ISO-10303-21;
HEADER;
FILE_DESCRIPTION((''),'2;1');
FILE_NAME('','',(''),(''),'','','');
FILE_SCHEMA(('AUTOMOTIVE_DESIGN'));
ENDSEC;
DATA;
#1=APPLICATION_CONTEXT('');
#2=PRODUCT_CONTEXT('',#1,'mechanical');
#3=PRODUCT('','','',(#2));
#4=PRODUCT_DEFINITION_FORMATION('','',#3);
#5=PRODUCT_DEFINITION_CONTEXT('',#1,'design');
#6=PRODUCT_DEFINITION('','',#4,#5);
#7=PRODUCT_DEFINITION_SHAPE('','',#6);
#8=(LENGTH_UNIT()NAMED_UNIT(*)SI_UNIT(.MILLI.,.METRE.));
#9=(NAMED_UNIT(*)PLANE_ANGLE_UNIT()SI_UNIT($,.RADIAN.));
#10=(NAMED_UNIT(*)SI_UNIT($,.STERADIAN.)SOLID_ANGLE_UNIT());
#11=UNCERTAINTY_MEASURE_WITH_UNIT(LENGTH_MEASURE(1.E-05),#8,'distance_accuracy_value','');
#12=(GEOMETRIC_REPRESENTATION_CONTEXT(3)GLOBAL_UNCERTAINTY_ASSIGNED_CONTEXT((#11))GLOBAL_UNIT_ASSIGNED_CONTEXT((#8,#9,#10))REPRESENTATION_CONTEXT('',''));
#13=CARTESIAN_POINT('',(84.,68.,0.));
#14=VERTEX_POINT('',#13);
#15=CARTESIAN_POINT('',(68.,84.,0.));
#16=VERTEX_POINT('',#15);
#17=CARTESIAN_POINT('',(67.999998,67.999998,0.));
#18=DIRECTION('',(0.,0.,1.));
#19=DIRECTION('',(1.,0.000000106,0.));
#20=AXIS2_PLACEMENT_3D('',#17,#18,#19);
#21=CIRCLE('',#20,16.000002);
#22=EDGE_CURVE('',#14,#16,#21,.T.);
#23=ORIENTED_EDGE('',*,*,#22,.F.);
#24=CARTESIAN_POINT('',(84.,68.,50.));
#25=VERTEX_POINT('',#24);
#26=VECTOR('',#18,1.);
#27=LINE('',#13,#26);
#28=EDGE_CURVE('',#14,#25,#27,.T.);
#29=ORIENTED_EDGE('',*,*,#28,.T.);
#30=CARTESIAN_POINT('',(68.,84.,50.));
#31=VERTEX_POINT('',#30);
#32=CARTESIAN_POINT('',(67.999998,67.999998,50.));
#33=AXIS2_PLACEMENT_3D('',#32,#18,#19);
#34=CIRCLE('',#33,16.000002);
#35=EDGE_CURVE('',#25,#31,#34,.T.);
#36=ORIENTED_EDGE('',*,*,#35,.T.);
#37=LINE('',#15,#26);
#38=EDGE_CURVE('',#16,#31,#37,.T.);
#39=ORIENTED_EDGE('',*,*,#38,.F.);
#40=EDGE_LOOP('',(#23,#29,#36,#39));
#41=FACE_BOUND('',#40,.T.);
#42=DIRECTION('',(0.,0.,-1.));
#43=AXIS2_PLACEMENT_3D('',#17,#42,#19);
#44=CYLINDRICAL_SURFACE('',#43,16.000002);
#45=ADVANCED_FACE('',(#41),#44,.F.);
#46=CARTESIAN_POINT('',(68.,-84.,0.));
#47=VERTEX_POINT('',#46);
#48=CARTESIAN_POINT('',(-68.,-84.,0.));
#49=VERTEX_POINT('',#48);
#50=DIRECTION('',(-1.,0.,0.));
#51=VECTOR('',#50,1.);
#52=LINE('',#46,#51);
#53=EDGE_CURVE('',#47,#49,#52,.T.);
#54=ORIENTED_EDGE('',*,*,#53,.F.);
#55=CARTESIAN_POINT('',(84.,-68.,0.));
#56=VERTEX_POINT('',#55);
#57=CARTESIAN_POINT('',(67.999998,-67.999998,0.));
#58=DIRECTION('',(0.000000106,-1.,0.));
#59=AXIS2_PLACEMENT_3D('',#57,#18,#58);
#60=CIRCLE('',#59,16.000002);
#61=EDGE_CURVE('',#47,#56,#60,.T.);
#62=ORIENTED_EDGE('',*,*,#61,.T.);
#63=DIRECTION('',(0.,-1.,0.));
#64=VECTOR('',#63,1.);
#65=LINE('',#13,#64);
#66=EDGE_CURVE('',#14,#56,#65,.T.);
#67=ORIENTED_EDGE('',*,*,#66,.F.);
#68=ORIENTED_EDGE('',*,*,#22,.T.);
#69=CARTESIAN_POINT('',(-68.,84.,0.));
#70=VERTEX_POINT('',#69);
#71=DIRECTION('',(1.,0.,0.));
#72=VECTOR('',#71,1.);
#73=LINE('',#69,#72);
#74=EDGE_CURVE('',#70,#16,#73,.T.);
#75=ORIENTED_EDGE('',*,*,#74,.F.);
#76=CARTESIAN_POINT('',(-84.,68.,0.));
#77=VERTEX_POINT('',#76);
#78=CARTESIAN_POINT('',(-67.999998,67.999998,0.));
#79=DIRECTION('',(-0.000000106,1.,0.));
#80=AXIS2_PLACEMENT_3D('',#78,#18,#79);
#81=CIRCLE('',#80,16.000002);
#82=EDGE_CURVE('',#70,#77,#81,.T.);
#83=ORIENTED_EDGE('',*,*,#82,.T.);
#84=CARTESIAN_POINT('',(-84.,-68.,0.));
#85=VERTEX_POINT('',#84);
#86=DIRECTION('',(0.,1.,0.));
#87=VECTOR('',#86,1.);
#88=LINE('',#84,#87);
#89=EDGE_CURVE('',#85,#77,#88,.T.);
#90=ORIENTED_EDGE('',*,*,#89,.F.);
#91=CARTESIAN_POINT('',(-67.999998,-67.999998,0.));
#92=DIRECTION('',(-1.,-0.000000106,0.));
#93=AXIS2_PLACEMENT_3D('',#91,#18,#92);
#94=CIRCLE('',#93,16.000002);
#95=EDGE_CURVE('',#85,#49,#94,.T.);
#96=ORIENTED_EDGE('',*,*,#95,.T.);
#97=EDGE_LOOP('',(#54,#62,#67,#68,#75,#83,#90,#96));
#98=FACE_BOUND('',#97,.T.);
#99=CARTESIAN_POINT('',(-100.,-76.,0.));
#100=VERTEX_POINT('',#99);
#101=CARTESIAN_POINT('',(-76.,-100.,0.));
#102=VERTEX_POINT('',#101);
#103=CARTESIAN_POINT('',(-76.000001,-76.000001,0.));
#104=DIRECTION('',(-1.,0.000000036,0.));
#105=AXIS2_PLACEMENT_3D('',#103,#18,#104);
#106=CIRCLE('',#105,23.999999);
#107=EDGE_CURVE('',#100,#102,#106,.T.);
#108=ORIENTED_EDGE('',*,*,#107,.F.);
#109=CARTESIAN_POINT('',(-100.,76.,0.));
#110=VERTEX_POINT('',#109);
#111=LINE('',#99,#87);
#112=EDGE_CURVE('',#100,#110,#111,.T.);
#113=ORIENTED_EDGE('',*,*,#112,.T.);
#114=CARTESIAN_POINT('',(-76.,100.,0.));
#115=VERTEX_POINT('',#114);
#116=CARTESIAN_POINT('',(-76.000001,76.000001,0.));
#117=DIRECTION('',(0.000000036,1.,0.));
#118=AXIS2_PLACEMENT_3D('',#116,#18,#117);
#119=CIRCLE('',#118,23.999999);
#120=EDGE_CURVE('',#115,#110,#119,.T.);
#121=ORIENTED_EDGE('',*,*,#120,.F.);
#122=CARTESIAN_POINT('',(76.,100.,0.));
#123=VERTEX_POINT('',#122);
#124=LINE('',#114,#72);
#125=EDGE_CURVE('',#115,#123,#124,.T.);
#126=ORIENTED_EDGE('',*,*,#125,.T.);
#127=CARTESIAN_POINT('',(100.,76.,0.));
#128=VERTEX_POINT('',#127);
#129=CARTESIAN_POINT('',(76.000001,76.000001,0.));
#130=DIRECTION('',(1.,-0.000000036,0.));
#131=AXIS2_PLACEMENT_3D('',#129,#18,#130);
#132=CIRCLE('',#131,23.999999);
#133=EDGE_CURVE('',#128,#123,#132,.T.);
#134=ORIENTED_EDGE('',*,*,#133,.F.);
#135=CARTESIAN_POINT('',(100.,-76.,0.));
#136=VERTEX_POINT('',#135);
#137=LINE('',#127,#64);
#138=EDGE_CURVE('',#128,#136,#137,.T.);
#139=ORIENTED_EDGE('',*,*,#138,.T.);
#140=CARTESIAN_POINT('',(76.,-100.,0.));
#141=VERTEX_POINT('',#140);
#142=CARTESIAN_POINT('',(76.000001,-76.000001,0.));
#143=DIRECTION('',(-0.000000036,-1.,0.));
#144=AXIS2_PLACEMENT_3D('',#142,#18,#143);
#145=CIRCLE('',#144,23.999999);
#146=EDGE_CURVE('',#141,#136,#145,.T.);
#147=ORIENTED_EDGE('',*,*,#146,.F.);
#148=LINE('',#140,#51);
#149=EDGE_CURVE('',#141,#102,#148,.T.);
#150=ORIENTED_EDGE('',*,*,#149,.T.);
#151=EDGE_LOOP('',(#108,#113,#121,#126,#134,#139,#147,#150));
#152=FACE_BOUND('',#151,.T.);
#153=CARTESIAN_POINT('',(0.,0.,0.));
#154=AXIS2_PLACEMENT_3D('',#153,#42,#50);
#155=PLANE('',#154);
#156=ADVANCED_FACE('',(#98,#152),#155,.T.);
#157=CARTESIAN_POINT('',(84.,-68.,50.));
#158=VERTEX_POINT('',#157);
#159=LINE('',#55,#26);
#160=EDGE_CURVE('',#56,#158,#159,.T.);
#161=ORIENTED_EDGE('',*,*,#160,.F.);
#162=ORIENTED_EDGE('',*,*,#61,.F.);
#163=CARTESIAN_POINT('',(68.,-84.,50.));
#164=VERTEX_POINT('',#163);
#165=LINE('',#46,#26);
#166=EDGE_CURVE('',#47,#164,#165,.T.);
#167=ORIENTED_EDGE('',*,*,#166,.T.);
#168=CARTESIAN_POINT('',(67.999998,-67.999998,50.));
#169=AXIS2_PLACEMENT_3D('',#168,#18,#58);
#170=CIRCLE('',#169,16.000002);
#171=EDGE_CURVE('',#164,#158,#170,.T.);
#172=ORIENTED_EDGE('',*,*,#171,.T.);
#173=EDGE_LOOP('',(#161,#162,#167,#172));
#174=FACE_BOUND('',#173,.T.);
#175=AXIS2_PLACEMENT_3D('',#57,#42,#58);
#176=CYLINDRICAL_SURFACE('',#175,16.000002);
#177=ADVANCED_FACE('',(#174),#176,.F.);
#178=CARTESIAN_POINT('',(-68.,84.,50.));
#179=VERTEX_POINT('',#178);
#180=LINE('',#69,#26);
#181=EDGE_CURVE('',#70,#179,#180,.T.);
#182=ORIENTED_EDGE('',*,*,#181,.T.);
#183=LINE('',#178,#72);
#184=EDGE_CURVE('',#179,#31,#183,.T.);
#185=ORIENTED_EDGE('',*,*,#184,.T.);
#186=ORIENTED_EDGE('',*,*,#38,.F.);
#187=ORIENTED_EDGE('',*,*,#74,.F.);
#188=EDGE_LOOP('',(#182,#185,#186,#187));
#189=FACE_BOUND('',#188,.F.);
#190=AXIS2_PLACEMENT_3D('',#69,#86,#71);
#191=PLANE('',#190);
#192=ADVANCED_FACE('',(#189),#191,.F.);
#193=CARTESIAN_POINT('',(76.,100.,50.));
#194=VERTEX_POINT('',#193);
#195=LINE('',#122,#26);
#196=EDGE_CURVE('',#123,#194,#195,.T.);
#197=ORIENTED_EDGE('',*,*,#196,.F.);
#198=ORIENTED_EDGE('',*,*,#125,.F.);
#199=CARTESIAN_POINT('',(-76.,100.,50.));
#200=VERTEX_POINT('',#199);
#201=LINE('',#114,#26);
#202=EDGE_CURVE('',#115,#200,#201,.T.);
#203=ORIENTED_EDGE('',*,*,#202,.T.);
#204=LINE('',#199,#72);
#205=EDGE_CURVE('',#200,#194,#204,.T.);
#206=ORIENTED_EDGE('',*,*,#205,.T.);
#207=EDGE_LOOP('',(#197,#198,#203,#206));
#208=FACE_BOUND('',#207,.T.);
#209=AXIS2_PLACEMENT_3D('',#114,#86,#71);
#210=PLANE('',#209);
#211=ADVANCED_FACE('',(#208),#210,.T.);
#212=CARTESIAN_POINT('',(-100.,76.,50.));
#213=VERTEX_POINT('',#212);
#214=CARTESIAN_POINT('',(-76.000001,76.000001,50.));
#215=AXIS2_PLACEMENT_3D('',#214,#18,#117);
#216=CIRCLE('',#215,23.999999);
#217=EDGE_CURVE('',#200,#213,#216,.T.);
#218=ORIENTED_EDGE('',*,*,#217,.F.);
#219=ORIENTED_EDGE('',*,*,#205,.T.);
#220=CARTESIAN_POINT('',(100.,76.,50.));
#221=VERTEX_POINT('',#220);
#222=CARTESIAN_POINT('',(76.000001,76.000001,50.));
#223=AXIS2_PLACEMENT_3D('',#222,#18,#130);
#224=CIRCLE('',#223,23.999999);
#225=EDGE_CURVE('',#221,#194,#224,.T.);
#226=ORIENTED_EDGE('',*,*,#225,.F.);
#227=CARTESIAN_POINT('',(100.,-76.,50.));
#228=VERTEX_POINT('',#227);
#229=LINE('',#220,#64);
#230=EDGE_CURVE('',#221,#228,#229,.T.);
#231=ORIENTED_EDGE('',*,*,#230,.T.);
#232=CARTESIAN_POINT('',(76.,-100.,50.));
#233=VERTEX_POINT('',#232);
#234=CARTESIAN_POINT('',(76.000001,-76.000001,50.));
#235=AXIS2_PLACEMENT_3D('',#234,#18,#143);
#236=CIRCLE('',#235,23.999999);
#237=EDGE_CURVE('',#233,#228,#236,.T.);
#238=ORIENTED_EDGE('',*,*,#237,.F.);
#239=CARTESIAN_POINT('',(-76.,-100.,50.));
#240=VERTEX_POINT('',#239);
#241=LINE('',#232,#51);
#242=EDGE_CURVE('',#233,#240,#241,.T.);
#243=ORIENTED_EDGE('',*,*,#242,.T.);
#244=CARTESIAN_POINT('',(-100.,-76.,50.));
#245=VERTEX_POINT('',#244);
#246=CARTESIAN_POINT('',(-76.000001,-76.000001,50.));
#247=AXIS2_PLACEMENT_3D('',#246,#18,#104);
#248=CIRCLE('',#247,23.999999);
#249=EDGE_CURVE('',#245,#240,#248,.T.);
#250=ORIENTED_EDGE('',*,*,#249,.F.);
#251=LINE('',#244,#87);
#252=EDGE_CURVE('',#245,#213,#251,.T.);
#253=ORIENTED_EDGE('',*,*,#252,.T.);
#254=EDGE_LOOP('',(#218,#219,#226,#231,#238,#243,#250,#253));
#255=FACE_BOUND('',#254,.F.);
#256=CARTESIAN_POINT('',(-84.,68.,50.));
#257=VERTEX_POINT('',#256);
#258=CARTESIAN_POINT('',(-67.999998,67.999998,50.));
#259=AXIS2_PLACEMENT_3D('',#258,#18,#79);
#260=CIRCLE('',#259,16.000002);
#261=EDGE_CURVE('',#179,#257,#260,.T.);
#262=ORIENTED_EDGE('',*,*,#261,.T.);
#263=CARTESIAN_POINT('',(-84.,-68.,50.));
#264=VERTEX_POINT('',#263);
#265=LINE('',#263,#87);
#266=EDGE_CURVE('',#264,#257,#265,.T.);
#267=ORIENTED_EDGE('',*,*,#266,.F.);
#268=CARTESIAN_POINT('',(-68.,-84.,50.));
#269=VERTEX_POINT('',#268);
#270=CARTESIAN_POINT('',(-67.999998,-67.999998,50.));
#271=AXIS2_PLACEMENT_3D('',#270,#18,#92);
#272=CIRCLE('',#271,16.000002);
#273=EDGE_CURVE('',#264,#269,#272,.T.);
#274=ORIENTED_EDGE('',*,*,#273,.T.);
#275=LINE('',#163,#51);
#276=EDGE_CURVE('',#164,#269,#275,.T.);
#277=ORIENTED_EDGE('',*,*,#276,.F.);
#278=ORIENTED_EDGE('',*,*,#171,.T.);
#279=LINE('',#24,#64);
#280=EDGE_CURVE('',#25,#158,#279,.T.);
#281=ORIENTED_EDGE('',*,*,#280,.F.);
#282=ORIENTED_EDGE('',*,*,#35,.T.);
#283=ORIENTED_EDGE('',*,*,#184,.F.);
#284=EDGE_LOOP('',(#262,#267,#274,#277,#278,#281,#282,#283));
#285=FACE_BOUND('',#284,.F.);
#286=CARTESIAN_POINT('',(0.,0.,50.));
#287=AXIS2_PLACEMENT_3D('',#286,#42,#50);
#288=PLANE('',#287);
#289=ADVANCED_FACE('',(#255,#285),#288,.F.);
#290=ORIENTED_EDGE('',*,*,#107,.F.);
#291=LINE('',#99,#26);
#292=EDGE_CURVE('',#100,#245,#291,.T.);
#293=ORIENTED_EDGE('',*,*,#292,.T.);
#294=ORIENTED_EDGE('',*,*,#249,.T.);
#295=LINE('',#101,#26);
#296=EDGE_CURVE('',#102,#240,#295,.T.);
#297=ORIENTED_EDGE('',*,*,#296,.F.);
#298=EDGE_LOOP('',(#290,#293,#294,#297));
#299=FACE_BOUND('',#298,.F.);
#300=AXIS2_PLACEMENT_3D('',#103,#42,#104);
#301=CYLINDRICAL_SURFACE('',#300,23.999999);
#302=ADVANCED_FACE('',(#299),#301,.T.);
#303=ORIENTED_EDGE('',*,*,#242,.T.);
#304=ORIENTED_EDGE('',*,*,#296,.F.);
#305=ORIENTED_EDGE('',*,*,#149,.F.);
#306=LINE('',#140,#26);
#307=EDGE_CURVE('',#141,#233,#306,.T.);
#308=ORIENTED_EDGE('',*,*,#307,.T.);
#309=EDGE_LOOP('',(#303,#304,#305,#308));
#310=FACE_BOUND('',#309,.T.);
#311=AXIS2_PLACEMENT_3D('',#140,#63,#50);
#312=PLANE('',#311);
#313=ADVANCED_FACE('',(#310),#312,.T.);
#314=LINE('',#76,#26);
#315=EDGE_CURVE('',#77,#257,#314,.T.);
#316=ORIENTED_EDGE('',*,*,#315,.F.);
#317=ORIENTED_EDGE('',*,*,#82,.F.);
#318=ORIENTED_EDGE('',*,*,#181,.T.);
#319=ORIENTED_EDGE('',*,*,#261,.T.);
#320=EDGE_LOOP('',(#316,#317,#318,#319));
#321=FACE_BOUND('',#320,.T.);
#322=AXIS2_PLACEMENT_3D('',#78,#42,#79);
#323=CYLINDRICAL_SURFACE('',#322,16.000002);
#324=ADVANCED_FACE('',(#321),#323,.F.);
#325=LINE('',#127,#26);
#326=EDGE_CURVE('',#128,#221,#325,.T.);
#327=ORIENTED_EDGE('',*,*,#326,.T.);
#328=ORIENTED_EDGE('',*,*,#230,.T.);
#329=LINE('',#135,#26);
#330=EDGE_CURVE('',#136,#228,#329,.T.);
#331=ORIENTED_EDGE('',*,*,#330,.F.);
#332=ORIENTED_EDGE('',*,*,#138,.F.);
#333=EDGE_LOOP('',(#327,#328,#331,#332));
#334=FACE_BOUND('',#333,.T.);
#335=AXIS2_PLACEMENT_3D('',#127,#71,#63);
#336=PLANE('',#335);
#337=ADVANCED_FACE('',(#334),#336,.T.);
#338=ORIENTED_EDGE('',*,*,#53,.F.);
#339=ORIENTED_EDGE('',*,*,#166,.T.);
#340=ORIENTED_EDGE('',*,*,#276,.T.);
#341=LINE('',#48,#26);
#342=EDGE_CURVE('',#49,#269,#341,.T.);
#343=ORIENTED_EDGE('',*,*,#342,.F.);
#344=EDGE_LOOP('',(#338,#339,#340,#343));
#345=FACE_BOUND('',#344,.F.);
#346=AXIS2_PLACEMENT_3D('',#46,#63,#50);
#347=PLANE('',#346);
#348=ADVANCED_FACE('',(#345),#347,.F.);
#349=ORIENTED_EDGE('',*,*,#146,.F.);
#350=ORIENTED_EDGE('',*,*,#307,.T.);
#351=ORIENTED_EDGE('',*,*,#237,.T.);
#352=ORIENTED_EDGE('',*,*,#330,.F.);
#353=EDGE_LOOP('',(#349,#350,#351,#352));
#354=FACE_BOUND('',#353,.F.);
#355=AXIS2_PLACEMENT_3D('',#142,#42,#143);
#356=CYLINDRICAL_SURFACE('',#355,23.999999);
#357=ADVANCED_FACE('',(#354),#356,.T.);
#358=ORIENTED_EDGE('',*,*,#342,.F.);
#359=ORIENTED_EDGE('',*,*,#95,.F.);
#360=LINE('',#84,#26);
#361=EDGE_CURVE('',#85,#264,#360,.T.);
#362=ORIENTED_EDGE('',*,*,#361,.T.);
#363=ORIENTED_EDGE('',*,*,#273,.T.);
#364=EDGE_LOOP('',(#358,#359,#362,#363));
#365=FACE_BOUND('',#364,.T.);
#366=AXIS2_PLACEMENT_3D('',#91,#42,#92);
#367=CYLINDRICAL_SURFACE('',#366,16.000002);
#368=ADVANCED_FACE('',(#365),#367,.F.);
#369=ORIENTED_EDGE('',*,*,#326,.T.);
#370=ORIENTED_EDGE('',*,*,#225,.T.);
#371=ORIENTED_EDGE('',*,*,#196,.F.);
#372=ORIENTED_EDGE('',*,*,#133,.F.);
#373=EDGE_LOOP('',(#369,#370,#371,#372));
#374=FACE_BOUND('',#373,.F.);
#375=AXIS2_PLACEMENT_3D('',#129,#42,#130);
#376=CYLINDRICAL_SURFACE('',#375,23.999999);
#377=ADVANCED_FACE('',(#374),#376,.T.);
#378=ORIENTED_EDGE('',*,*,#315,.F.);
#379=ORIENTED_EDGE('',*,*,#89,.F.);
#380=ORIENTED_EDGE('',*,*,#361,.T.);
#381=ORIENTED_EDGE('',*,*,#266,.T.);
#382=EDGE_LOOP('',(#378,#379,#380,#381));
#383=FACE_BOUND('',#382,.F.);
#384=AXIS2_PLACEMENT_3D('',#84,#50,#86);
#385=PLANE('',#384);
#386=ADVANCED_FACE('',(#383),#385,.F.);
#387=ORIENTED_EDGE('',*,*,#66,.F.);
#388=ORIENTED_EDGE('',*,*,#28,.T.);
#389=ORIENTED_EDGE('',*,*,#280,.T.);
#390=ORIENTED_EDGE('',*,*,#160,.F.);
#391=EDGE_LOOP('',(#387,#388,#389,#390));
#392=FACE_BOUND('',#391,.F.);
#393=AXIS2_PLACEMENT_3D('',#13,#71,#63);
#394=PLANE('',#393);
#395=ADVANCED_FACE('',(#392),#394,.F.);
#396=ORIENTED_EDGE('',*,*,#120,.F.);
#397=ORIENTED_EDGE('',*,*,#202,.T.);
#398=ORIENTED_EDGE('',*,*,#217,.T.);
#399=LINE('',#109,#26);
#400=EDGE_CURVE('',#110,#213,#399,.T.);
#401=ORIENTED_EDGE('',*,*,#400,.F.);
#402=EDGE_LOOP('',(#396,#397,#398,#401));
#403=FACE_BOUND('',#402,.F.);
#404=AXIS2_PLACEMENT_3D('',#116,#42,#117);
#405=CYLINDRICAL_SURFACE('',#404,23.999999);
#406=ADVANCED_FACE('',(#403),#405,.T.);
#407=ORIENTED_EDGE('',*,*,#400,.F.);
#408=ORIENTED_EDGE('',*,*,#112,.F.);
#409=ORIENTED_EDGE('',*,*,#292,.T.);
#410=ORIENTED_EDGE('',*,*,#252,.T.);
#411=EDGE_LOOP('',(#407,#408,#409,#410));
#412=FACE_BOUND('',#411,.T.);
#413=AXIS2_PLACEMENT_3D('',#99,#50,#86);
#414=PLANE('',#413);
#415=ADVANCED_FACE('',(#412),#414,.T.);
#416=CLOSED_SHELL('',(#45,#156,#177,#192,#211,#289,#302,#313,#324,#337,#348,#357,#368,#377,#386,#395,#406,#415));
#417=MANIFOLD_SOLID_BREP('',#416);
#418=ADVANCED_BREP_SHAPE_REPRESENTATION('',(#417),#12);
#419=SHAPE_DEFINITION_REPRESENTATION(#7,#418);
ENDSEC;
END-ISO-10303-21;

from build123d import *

# Parameters (mm, degrees)
EXTRUDE_DEPTH = 50


with BuildPart() as part:
    # Sketch → Extrude (new body)
    with BuildSketch(Plane.XY):
        with BuildLine():
            Line((-76, 100), (76, 100))
            ThreePointArc((100, 76), (92.970563, 92.970563), (76, 100))
            Line((100, 76), (100, -76))
            ThreePointArc((76, -100), (92.970563, -92.970563), (100, -76))
            Line((76, -100), (-76, -100))
            ThreePointArc((-100, -76), (-92.970563, -92.970563), (-76, -100))
            Line((-100, -76), (-100, 76))
            ThreePointArc((-76, 100), (-92.970563, 92.970563), (-100, 76))
        make_face()
        with BuildLine():
            Line((-68, 84), (68, 84))
            ThreePointArc((84, 68), (79.313708, 79.313708), (68, 84))
            Line((84, 68), (84, -68))
            ThreePointArc((68, -84), (79.313708, -79.313708), (84, -68))
            Line((68, -84), (-68, -84))
            ThreePointArc((-84, -68), (-79.313708, -79.313708), (-68, -84))
            Line((-84, -68), (-84, 68))
            ThreePointArc((-68, 84), (-79.313708, 79.313708), (-84, 68))
        make_face(mode=Mode.SUBTRACT)
    extrude(amount=EXTRUDE_DEPTH)


solid = part.part
